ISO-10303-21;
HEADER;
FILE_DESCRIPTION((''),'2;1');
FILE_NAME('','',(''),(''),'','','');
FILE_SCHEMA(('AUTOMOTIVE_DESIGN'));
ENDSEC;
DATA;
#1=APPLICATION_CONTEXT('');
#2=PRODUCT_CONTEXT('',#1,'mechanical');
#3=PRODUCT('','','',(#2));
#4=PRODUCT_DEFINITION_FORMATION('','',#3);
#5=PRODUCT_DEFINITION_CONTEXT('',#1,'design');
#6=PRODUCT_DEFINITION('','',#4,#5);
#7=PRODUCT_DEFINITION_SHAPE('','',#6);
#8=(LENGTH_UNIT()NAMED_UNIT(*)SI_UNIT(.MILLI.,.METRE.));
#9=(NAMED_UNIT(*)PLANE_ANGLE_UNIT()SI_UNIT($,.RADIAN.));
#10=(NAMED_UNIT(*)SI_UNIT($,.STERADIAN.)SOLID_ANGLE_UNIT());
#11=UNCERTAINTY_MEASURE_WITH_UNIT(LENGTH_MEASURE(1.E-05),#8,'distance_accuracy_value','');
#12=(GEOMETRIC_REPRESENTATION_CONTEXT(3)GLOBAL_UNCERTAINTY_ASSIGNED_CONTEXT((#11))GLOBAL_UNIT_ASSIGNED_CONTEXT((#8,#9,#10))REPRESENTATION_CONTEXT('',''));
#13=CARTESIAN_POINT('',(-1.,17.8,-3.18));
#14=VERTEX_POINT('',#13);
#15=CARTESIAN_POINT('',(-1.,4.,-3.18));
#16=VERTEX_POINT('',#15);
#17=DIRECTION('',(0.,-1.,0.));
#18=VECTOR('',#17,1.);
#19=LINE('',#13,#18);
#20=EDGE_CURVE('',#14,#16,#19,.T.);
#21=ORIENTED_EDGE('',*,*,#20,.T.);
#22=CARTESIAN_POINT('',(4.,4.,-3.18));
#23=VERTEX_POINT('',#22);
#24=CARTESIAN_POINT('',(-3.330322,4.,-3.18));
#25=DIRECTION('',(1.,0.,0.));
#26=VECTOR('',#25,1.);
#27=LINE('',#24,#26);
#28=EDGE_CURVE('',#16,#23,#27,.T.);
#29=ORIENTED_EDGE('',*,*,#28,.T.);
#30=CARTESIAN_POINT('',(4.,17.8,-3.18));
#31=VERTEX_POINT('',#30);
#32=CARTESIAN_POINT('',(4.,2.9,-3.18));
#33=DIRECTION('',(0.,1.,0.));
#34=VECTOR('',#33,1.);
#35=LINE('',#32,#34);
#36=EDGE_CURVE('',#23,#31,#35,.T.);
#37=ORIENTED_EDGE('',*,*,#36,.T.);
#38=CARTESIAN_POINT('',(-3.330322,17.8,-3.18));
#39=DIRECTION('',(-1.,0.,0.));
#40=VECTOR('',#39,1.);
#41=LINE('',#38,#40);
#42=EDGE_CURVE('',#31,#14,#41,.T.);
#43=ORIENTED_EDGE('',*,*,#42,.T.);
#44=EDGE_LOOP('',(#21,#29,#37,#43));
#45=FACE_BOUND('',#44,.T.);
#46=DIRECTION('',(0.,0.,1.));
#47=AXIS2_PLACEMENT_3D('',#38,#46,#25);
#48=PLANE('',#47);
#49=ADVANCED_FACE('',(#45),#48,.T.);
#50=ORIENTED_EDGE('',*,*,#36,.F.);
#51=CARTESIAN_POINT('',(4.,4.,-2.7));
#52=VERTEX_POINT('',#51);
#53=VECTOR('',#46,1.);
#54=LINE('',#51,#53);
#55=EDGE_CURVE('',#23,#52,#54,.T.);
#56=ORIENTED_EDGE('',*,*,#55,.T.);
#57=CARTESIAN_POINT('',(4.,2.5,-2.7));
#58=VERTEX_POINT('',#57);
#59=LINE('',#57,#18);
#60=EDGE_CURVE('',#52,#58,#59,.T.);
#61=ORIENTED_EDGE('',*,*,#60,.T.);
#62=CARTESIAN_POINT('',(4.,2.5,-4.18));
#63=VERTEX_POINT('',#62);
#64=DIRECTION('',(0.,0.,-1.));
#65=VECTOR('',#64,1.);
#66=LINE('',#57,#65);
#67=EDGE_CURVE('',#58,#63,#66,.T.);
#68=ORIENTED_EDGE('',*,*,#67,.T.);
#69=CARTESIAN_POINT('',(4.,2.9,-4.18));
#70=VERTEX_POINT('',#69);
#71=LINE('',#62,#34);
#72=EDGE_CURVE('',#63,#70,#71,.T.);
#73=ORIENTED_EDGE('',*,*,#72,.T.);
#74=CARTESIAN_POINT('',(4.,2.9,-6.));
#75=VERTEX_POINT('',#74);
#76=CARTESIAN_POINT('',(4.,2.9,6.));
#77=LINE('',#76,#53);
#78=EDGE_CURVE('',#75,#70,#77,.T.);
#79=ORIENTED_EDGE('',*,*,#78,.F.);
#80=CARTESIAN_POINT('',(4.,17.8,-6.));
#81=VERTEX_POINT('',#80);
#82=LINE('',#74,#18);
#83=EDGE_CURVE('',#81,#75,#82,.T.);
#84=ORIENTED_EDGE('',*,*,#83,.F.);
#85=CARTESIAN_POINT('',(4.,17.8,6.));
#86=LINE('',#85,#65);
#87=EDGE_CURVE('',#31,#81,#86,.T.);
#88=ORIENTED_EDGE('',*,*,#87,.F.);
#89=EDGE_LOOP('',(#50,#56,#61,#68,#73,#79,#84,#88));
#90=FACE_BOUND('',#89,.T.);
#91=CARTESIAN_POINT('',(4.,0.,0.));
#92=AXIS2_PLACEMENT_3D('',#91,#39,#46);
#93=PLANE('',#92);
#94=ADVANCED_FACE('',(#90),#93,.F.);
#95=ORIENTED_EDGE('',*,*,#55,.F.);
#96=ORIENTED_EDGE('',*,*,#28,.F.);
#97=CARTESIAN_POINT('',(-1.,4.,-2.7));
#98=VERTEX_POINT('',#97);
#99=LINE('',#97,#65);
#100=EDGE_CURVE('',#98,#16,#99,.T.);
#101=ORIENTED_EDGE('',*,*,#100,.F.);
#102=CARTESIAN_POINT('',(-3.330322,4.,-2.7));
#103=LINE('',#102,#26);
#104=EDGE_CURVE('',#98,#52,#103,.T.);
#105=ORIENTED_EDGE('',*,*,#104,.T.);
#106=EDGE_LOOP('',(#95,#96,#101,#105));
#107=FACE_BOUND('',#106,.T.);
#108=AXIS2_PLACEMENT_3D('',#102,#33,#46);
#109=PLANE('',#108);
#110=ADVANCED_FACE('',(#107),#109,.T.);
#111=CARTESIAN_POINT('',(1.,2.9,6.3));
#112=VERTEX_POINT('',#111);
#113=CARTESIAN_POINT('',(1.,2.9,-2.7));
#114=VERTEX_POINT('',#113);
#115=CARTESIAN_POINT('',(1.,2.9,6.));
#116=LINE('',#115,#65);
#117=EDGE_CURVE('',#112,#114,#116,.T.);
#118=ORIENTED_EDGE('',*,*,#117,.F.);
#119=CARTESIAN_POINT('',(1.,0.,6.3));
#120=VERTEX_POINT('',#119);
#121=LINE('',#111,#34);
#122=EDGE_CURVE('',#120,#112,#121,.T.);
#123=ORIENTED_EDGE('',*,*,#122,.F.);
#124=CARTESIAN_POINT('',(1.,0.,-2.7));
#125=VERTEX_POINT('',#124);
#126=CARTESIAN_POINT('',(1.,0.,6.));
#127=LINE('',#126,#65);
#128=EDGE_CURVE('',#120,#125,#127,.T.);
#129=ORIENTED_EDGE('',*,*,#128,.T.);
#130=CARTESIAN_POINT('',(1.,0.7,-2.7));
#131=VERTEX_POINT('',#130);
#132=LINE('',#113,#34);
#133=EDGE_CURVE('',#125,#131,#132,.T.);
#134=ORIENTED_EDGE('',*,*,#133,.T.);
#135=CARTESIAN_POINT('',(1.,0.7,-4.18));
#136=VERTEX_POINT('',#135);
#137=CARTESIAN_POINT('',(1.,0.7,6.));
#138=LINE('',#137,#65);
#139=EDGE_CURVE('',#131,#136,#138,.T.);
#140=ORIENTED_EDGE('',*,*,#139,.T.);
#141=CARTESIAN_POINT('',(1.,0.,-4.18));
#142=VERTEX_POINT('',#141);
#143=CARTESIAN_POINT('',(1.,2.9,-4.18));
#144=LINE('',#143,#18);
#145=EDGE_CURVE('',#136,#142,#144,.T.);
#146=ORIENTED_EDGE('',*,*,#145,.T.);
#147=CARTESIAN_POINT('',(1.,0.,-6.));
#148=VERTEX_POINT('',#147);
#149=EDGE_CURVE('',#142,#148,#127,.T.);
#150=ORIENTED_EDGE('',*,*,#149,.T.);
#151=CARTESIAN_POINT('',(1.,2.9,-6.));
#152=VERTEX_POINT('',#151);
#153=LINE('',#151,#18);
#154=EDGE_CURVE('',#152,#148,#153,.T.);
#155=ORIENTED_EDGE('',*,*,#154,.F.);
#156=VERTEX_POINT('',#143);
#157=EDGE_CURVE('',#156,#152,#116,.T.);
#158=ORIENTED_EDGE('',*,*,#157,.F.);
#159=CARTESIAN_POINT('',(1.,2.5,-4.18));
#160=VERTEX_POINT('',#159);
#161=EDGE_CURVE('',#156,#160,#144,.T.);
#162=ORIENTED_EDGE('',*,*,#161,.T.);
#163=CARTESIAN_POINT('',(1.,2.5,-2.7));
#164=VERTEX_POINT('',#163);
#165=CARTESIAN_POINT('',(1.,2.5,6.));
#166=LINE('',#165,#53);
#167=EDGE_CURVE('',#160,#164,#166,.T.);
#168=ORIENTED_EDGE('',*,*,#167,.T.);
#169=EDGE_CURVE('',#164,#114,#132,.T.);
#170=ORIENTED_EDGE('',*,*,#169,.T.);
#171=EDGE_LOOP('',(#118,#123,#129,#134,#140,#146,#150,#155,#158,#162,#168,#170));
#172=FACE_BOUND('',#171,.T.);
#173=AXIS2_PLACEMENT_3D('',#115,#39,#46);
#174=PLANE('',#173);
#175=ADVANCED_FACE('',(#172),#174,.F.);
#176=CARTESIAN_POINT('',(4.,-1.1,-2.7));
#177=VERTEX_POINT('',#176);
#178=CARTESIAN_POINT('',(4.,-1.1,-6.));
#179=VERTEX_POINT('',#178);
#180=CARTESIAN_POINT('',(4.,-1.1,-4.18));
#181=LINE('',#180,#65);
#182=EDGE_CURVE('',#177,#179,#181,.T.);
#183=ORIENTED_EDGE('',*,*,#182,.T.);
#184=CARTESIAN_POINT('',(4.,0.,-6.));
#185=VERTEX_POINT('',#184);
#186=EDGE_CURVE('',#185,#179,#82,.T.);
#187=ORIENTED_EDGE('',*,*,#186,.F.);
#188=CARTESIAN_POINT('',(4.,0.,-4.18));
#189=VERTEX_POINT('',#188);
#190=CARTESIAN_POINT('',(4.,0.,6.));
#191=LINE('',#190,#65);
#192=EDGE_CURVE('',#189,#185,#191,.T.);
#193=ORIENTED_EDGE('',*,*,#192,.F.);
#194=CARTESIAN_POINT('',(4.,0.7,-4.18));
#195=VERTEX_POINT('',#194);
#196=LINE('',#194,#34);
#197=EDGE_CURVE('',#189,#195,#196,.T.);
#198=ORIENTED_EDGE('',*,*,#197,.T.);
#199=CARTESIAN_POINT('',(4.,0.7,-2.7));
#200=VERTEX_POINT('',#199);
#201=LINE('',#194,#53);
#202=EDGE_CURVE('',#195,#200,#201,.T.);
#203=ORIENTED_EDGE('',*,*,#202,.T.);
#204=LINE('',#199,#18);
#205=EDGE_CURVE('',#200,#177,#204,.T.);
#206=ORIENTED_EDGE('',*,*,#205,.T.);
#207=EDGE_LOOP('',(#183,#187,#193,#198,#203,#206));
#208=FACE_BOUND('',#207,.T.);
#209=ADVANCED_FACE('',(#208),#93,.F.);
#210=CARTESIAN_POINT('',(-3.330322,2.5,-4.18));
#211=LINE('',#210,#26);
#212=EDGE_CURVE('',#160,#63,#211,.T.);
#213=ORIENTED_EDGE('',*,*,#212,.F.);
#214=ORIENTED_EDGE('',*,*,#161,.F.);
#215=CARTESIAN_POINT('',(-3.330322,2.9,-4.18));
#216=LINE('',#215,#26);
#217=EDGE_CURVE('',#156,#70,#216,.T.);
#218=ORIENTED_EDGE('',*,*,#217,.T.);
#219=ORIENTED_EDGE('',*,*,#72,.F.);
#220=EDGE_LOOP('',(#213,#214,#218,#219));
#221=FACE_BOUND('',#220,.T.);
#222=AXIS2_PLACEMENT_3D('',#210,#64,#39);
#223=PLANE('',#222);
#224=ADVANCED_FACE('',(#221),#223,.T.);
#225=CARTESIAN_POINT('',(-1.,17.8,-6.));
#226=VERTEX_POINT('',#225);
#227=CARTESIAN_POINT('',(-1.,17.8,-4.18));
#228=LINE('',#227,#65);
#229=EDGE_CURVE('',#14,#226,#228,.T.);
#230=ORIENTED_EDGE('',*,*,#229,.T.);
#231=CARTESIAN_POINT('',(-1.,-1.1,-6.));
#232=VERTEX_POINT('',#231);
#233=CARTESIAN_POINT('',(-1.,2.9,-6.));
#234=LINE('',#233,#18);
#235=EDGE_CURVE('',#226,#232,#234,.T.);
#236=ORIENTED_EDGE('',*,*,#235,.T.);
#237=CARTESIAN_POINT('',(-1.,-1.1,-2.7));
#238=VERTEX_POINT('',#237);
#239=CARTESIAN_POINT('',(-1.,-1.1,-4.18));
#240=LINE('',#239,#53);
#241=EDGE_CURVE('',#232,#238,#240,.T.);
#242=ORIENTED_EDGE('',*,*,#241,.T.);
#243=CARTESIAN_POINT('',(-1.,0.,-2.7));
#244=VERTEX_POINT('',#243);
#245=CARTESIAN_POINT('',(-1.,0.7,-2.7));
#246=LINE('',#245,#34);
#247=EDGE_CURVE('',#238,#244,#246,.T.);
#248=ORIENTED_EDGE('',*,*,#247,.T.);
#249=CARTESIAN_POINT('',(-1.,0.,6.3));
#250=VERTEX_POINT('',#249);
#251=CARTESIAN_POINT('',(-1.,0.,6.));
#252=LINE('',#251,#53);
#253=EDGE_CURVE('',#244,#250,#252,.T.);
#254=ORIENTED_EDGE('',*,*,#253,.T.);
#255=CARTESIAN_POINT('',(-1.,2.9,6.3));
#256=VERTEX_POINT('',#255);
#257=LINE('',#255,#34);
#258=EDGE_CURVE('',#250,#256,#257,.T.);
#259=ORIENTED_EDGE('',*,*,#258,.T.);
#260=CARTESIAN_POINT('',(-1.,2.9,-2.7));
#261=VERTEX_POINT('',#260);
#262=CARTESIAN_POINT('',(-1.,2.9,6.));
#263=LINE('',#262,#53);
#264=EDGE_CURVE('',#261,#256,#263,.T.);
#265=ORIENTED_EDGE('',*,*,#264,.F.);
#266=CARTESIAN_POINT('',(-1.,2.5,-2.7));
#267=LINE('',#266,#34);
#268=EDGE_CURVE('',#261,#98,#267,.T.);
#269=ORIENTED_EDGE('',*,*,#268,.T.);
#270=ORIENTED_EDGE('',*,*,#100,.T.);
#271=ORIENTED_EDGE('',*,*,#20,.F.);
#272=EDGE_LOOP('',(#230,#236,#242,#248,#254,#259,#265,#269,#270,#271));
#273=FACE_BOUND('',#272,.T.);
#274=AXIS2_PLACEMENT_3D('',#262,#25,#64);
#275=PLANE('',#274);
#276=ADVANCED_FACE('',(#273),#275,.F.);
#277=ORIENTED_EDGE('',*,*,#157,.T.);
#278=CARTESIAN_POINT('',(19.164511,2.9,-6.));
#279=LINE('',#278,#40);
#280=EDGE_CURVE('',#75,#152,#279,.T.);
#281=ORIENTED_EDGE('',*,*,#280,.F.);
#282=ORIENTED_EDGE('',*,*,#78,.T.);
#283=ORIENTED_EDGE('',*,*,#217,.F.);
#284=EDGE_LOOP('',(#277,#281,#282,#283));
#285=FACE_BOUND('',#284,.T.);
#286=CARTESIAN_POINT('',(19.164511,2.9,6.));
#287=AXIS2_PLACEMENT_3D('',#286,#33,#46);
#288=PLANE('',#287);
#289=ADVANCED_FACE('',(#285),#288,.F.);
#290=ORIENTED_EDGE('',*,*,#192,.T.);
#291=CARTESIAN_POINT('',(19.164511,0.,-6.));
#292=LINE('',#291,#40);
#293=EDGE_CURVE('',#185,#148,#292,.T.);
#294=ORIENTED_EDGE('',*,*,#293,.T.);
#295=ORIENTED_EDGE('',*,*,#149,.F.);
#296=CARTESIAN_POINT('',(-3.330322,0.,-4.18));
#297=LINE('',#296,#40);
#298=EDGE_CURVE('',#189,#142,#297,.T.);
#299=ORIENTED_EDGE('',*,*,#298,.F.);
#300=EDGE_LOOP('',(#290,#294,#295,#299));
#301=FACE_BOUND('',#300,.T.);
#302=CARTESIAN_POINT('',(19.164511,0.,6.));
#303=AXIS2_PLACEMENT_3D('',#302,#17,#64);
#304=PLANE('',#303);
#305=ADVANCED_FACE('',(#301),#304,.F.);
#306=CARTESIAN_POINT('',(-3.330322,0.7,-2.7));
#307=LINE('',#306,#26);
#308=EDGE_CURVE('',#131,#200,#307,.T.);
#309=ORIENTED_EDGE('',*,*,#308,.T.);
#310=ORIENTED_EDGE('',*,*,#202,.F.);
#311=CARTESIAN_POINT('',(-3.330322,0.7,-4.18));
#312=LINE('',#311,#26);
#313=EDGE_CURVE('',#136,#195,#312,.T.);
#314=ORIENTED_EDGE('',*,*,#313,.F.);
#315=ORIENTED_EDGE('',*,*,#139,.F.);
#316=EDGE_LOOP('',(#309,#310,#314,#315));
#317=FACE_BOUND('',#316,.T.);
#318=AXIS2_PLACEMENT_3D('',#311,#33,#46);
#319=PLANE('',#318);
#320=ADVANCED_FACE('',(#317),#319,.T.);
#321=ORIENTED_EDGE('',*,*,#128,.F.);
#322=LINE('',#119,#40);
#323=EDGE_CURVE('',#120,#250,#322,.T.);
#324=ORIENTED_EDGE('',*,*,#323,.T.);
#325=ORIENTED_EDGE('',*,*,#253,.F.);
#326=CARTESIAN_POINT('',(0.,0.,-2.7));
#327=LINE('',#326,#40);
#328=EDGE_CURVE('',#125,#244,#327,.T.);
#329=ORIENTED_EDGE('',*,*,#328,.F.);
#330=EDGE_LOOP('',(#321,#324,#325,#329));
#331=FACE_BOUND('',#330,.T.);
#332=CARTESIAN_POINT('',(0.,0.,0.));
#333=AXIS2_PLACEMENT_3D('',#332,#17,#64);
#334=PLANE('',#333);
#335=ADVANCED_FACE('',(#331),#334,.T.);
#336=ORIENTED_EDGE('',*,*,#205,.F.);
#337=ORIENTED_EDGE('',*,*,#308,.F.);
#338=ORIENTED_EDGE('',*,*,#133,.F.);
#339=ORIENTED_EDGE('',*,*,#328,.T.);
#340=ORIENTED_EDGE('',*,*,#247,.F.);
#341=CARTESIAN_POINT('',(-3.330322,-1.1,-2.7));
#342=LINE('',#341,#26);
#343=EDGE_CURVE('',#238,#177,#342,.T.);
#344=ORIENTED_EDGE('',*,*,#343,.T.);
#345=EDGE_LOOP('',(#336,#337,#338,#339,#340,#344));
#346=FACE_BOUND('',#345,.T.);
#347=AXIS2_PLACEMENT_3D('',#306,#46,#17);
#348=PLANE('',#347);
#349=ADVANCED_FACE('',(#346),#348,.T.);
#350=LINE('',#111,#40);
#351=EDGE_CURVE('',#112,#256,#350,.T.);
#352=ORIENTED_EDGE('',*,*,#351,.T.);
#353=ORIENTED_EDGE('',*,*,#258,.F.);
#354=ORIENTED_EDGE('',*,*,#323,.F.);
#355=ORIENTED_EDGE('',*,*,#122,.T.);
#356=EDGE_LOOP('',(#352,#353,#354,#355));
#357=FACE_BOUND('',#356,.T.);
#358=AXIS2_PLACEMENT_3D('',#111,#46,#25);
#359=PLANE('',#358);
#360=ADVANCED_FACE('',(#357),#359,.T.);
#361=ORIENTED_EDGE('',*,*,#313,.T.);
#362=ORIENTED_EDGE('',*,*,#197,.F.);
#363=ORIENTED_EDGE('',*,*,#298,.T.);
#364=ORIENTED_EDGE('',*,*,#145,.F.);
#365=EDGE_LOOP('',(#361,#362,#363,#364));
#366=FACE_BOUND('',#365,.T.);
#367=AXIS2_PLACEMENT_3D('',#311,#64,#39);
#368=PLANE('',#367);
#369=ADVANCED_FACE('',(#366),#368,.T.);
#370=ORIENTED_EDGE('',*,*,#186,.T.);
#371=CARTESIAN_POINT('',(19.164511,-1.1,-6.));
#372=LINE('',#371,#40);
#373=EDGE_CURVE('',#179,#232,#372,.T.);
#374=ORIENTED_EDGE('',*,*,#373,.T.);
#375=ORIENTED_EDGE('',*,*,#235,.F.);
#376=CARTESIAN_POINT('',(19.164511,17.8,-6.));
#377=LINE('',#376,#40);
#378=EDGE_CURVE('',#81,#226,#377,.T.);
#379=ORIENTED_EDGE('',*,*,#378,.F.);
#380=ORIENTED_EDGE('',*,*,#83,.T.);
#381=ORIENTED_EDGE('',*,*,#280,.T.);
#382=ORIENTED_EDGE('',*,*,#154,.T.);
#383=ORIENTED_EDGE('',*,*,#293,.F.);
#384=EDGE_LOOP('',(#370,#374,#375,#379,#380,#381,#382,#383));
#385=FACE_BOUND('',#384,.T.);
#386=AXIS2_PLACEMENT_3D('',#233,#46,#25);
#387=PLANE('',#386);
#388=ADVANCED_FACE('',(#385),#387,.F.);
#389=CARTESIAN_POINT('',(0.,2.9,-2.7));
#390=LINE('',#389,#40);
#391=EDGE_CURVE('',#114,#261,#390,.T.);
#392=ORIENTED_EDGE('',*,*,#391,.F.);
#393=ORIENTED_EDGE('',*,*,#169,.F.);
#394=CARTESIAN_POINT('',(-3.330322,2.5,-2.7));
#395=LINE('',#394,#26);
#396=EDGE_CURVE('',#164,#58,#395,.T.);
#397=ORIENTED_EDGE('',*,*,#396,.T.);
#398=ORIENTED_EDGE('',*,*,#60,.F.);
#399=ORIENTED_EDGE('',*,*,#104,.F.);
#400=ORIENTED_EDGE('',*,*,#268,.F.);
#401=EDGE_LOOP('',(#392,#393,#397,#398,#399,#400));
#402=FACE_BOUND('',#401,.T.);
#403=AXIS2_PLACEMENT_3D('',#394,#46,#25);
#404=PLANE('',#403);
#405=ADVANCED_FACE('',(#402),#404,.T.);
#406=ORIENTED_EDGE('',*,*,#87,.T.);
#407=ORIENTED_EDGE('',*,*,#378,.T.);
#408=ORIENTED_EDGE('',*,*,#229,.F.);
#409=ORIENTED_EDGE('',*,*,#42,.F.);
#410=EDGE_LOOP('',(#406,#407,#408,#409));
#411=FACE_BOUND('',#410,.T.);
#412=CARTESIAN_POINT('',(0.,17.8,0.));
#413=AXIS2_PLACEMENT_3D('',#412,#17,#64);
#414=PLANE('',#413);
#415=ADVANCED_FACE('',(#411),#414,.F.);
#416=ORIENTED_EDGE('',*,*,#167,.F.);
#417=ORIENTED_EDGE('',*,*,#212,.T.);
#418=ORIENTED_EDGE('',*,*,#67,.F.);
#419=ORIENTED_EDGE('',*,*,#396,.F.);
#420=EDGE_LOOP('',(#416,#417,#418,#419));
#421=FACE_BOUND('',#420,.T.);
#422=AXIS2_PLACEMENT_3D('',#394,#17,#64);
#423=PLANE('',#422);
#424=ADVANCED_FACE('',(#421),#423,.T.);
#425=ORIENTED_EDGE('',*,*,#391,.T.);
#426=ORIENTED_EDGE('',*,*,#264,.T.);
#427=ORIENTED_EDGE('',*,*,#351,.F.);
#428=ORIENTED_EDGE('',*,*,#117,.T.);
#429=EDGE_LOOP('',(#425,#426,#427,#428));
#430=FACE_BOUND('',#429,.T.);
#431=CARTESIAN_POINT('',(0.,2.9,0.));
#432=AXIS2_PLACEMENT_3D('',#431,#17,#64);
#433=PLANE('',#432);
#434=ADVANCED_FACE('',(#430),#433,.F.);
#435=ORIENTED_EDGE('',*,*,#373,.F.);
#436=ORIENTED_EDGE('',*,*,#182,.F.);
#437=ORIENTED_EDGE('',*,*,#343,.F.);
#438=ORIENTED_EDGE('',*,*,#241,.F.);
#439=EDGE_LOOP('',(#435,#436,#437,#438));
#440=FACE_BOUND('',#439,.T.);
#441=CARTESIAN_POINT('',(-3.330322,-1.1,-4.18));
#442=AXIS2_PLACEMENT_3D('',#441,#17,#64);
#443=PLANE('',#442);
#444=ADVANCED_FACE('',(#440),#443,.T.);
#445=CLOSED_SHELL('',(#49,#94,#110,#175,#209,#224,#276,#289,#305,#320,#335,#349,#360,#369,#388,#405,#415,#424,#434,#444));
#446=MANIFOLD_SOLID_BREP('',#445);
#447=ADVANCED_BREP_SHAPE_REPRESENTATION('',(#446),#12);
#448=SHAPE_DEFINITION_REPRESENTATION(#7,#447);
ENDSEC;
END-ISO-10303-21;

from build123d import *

# Parameters (mm, degrees)
SKETCH_1_W      = 2
SKETCH_1_H      = 12
EXTRUDE_1_DEPTH = 2.9
EXTRUDE_START   = -2
SKETCH_2_W      = 1.48
SKETCH_2_H      = 1.5
SKETCH_2_H_2    = 1.8
EXTRUDE_2_DEPTH = 5
SKETCH_3_W      = 9
SKETCH_3_H      = 2.9
EXTRUDE_3_DEPTH = 2
EXTRUDE_START_2 = -5.1
SKETCH_4_W      = 2
SKETCH_4_H      = 2
EXTRUDE_4_DEPTH = 18.9
SKETCH_5_W      = 2.82
SKETCH_5_H      = 14.9
SKETCH_5_H_2    = 1.1
EXTRUDE_5_DEPTH = 5


with BuildPart() as part:
    # 草图1 → 凸台-拉伸1 (new body)
    with BuildSketch(Plane(origin=(0, 0, 0), x_dir=(1, 0, 0), z_dir=(0, 1, 0))):
        Rectangle(SKETCH_1_W, SKETCH_1_H)
    extrude(amount=EXTRUDE_1_DEPTH)

    # 草图2 → 凸台-拉伸2 (add)
    with BuildSketch(Plane(origin=(1, 0, 0), x_dir=(0, 0, -1), z_dir=(1, 0, 0)).offset(EXTRUDE_START)):
        with Locations((3.44, 3.25)):
            Rectangle(SKETCH_2_W, SKETCH_2_H)
        with Locations((3.44, -0.2)):
            Rectangle(SKETCH_2_W, SKETCH_2_H_2)
    extrude(amount=EXTRUDE_2_DEPTH)

    # 草图3 → 凸台-拉伸3 (add)
    with BuildSketch(Plane.ZY.offset(1)):
        with Locations((1.8, 1.45)):
            Rectangle(SKETCH_3_W, SKETCH_3_H)
    extrude(amount=-EXTRUDE_3_DEPTH)

    # 草图4 → 凸台-拉伸4 (add)
    with BuildSketch(Plane(origin=(0, 4, 0), x_dir=(1, 0, 0), z_dir=(0, 1, 0)).offset(EXTRUDE_START_2)):
        with Locations((0, 4.18)):
            Rectangle(SKETCH_4_W, SKETCH_4_H)
    extrude(amount=EXTRUDE_4_DEPTH)

    # 草图5 → 凸台-拉伸5 (add)
    with BuildSketch(Plane(origin=(1, 0, 0), x_dir=(0, 0, -1), z_dir=(1, 0, 0)).offset(EXTRUDE_START)):
        with Locations((4.59, 10.35)):
            Rectangle(SKETCH_5_W, SKETCH_5_H)
        with Locations((4.59, -0.55)):
            Rectangle(SKETCH_5_W, SKETCH_5_H_2)
    extrude(amount=EXTRUDE_5_DEPTH)


solid = part.part
